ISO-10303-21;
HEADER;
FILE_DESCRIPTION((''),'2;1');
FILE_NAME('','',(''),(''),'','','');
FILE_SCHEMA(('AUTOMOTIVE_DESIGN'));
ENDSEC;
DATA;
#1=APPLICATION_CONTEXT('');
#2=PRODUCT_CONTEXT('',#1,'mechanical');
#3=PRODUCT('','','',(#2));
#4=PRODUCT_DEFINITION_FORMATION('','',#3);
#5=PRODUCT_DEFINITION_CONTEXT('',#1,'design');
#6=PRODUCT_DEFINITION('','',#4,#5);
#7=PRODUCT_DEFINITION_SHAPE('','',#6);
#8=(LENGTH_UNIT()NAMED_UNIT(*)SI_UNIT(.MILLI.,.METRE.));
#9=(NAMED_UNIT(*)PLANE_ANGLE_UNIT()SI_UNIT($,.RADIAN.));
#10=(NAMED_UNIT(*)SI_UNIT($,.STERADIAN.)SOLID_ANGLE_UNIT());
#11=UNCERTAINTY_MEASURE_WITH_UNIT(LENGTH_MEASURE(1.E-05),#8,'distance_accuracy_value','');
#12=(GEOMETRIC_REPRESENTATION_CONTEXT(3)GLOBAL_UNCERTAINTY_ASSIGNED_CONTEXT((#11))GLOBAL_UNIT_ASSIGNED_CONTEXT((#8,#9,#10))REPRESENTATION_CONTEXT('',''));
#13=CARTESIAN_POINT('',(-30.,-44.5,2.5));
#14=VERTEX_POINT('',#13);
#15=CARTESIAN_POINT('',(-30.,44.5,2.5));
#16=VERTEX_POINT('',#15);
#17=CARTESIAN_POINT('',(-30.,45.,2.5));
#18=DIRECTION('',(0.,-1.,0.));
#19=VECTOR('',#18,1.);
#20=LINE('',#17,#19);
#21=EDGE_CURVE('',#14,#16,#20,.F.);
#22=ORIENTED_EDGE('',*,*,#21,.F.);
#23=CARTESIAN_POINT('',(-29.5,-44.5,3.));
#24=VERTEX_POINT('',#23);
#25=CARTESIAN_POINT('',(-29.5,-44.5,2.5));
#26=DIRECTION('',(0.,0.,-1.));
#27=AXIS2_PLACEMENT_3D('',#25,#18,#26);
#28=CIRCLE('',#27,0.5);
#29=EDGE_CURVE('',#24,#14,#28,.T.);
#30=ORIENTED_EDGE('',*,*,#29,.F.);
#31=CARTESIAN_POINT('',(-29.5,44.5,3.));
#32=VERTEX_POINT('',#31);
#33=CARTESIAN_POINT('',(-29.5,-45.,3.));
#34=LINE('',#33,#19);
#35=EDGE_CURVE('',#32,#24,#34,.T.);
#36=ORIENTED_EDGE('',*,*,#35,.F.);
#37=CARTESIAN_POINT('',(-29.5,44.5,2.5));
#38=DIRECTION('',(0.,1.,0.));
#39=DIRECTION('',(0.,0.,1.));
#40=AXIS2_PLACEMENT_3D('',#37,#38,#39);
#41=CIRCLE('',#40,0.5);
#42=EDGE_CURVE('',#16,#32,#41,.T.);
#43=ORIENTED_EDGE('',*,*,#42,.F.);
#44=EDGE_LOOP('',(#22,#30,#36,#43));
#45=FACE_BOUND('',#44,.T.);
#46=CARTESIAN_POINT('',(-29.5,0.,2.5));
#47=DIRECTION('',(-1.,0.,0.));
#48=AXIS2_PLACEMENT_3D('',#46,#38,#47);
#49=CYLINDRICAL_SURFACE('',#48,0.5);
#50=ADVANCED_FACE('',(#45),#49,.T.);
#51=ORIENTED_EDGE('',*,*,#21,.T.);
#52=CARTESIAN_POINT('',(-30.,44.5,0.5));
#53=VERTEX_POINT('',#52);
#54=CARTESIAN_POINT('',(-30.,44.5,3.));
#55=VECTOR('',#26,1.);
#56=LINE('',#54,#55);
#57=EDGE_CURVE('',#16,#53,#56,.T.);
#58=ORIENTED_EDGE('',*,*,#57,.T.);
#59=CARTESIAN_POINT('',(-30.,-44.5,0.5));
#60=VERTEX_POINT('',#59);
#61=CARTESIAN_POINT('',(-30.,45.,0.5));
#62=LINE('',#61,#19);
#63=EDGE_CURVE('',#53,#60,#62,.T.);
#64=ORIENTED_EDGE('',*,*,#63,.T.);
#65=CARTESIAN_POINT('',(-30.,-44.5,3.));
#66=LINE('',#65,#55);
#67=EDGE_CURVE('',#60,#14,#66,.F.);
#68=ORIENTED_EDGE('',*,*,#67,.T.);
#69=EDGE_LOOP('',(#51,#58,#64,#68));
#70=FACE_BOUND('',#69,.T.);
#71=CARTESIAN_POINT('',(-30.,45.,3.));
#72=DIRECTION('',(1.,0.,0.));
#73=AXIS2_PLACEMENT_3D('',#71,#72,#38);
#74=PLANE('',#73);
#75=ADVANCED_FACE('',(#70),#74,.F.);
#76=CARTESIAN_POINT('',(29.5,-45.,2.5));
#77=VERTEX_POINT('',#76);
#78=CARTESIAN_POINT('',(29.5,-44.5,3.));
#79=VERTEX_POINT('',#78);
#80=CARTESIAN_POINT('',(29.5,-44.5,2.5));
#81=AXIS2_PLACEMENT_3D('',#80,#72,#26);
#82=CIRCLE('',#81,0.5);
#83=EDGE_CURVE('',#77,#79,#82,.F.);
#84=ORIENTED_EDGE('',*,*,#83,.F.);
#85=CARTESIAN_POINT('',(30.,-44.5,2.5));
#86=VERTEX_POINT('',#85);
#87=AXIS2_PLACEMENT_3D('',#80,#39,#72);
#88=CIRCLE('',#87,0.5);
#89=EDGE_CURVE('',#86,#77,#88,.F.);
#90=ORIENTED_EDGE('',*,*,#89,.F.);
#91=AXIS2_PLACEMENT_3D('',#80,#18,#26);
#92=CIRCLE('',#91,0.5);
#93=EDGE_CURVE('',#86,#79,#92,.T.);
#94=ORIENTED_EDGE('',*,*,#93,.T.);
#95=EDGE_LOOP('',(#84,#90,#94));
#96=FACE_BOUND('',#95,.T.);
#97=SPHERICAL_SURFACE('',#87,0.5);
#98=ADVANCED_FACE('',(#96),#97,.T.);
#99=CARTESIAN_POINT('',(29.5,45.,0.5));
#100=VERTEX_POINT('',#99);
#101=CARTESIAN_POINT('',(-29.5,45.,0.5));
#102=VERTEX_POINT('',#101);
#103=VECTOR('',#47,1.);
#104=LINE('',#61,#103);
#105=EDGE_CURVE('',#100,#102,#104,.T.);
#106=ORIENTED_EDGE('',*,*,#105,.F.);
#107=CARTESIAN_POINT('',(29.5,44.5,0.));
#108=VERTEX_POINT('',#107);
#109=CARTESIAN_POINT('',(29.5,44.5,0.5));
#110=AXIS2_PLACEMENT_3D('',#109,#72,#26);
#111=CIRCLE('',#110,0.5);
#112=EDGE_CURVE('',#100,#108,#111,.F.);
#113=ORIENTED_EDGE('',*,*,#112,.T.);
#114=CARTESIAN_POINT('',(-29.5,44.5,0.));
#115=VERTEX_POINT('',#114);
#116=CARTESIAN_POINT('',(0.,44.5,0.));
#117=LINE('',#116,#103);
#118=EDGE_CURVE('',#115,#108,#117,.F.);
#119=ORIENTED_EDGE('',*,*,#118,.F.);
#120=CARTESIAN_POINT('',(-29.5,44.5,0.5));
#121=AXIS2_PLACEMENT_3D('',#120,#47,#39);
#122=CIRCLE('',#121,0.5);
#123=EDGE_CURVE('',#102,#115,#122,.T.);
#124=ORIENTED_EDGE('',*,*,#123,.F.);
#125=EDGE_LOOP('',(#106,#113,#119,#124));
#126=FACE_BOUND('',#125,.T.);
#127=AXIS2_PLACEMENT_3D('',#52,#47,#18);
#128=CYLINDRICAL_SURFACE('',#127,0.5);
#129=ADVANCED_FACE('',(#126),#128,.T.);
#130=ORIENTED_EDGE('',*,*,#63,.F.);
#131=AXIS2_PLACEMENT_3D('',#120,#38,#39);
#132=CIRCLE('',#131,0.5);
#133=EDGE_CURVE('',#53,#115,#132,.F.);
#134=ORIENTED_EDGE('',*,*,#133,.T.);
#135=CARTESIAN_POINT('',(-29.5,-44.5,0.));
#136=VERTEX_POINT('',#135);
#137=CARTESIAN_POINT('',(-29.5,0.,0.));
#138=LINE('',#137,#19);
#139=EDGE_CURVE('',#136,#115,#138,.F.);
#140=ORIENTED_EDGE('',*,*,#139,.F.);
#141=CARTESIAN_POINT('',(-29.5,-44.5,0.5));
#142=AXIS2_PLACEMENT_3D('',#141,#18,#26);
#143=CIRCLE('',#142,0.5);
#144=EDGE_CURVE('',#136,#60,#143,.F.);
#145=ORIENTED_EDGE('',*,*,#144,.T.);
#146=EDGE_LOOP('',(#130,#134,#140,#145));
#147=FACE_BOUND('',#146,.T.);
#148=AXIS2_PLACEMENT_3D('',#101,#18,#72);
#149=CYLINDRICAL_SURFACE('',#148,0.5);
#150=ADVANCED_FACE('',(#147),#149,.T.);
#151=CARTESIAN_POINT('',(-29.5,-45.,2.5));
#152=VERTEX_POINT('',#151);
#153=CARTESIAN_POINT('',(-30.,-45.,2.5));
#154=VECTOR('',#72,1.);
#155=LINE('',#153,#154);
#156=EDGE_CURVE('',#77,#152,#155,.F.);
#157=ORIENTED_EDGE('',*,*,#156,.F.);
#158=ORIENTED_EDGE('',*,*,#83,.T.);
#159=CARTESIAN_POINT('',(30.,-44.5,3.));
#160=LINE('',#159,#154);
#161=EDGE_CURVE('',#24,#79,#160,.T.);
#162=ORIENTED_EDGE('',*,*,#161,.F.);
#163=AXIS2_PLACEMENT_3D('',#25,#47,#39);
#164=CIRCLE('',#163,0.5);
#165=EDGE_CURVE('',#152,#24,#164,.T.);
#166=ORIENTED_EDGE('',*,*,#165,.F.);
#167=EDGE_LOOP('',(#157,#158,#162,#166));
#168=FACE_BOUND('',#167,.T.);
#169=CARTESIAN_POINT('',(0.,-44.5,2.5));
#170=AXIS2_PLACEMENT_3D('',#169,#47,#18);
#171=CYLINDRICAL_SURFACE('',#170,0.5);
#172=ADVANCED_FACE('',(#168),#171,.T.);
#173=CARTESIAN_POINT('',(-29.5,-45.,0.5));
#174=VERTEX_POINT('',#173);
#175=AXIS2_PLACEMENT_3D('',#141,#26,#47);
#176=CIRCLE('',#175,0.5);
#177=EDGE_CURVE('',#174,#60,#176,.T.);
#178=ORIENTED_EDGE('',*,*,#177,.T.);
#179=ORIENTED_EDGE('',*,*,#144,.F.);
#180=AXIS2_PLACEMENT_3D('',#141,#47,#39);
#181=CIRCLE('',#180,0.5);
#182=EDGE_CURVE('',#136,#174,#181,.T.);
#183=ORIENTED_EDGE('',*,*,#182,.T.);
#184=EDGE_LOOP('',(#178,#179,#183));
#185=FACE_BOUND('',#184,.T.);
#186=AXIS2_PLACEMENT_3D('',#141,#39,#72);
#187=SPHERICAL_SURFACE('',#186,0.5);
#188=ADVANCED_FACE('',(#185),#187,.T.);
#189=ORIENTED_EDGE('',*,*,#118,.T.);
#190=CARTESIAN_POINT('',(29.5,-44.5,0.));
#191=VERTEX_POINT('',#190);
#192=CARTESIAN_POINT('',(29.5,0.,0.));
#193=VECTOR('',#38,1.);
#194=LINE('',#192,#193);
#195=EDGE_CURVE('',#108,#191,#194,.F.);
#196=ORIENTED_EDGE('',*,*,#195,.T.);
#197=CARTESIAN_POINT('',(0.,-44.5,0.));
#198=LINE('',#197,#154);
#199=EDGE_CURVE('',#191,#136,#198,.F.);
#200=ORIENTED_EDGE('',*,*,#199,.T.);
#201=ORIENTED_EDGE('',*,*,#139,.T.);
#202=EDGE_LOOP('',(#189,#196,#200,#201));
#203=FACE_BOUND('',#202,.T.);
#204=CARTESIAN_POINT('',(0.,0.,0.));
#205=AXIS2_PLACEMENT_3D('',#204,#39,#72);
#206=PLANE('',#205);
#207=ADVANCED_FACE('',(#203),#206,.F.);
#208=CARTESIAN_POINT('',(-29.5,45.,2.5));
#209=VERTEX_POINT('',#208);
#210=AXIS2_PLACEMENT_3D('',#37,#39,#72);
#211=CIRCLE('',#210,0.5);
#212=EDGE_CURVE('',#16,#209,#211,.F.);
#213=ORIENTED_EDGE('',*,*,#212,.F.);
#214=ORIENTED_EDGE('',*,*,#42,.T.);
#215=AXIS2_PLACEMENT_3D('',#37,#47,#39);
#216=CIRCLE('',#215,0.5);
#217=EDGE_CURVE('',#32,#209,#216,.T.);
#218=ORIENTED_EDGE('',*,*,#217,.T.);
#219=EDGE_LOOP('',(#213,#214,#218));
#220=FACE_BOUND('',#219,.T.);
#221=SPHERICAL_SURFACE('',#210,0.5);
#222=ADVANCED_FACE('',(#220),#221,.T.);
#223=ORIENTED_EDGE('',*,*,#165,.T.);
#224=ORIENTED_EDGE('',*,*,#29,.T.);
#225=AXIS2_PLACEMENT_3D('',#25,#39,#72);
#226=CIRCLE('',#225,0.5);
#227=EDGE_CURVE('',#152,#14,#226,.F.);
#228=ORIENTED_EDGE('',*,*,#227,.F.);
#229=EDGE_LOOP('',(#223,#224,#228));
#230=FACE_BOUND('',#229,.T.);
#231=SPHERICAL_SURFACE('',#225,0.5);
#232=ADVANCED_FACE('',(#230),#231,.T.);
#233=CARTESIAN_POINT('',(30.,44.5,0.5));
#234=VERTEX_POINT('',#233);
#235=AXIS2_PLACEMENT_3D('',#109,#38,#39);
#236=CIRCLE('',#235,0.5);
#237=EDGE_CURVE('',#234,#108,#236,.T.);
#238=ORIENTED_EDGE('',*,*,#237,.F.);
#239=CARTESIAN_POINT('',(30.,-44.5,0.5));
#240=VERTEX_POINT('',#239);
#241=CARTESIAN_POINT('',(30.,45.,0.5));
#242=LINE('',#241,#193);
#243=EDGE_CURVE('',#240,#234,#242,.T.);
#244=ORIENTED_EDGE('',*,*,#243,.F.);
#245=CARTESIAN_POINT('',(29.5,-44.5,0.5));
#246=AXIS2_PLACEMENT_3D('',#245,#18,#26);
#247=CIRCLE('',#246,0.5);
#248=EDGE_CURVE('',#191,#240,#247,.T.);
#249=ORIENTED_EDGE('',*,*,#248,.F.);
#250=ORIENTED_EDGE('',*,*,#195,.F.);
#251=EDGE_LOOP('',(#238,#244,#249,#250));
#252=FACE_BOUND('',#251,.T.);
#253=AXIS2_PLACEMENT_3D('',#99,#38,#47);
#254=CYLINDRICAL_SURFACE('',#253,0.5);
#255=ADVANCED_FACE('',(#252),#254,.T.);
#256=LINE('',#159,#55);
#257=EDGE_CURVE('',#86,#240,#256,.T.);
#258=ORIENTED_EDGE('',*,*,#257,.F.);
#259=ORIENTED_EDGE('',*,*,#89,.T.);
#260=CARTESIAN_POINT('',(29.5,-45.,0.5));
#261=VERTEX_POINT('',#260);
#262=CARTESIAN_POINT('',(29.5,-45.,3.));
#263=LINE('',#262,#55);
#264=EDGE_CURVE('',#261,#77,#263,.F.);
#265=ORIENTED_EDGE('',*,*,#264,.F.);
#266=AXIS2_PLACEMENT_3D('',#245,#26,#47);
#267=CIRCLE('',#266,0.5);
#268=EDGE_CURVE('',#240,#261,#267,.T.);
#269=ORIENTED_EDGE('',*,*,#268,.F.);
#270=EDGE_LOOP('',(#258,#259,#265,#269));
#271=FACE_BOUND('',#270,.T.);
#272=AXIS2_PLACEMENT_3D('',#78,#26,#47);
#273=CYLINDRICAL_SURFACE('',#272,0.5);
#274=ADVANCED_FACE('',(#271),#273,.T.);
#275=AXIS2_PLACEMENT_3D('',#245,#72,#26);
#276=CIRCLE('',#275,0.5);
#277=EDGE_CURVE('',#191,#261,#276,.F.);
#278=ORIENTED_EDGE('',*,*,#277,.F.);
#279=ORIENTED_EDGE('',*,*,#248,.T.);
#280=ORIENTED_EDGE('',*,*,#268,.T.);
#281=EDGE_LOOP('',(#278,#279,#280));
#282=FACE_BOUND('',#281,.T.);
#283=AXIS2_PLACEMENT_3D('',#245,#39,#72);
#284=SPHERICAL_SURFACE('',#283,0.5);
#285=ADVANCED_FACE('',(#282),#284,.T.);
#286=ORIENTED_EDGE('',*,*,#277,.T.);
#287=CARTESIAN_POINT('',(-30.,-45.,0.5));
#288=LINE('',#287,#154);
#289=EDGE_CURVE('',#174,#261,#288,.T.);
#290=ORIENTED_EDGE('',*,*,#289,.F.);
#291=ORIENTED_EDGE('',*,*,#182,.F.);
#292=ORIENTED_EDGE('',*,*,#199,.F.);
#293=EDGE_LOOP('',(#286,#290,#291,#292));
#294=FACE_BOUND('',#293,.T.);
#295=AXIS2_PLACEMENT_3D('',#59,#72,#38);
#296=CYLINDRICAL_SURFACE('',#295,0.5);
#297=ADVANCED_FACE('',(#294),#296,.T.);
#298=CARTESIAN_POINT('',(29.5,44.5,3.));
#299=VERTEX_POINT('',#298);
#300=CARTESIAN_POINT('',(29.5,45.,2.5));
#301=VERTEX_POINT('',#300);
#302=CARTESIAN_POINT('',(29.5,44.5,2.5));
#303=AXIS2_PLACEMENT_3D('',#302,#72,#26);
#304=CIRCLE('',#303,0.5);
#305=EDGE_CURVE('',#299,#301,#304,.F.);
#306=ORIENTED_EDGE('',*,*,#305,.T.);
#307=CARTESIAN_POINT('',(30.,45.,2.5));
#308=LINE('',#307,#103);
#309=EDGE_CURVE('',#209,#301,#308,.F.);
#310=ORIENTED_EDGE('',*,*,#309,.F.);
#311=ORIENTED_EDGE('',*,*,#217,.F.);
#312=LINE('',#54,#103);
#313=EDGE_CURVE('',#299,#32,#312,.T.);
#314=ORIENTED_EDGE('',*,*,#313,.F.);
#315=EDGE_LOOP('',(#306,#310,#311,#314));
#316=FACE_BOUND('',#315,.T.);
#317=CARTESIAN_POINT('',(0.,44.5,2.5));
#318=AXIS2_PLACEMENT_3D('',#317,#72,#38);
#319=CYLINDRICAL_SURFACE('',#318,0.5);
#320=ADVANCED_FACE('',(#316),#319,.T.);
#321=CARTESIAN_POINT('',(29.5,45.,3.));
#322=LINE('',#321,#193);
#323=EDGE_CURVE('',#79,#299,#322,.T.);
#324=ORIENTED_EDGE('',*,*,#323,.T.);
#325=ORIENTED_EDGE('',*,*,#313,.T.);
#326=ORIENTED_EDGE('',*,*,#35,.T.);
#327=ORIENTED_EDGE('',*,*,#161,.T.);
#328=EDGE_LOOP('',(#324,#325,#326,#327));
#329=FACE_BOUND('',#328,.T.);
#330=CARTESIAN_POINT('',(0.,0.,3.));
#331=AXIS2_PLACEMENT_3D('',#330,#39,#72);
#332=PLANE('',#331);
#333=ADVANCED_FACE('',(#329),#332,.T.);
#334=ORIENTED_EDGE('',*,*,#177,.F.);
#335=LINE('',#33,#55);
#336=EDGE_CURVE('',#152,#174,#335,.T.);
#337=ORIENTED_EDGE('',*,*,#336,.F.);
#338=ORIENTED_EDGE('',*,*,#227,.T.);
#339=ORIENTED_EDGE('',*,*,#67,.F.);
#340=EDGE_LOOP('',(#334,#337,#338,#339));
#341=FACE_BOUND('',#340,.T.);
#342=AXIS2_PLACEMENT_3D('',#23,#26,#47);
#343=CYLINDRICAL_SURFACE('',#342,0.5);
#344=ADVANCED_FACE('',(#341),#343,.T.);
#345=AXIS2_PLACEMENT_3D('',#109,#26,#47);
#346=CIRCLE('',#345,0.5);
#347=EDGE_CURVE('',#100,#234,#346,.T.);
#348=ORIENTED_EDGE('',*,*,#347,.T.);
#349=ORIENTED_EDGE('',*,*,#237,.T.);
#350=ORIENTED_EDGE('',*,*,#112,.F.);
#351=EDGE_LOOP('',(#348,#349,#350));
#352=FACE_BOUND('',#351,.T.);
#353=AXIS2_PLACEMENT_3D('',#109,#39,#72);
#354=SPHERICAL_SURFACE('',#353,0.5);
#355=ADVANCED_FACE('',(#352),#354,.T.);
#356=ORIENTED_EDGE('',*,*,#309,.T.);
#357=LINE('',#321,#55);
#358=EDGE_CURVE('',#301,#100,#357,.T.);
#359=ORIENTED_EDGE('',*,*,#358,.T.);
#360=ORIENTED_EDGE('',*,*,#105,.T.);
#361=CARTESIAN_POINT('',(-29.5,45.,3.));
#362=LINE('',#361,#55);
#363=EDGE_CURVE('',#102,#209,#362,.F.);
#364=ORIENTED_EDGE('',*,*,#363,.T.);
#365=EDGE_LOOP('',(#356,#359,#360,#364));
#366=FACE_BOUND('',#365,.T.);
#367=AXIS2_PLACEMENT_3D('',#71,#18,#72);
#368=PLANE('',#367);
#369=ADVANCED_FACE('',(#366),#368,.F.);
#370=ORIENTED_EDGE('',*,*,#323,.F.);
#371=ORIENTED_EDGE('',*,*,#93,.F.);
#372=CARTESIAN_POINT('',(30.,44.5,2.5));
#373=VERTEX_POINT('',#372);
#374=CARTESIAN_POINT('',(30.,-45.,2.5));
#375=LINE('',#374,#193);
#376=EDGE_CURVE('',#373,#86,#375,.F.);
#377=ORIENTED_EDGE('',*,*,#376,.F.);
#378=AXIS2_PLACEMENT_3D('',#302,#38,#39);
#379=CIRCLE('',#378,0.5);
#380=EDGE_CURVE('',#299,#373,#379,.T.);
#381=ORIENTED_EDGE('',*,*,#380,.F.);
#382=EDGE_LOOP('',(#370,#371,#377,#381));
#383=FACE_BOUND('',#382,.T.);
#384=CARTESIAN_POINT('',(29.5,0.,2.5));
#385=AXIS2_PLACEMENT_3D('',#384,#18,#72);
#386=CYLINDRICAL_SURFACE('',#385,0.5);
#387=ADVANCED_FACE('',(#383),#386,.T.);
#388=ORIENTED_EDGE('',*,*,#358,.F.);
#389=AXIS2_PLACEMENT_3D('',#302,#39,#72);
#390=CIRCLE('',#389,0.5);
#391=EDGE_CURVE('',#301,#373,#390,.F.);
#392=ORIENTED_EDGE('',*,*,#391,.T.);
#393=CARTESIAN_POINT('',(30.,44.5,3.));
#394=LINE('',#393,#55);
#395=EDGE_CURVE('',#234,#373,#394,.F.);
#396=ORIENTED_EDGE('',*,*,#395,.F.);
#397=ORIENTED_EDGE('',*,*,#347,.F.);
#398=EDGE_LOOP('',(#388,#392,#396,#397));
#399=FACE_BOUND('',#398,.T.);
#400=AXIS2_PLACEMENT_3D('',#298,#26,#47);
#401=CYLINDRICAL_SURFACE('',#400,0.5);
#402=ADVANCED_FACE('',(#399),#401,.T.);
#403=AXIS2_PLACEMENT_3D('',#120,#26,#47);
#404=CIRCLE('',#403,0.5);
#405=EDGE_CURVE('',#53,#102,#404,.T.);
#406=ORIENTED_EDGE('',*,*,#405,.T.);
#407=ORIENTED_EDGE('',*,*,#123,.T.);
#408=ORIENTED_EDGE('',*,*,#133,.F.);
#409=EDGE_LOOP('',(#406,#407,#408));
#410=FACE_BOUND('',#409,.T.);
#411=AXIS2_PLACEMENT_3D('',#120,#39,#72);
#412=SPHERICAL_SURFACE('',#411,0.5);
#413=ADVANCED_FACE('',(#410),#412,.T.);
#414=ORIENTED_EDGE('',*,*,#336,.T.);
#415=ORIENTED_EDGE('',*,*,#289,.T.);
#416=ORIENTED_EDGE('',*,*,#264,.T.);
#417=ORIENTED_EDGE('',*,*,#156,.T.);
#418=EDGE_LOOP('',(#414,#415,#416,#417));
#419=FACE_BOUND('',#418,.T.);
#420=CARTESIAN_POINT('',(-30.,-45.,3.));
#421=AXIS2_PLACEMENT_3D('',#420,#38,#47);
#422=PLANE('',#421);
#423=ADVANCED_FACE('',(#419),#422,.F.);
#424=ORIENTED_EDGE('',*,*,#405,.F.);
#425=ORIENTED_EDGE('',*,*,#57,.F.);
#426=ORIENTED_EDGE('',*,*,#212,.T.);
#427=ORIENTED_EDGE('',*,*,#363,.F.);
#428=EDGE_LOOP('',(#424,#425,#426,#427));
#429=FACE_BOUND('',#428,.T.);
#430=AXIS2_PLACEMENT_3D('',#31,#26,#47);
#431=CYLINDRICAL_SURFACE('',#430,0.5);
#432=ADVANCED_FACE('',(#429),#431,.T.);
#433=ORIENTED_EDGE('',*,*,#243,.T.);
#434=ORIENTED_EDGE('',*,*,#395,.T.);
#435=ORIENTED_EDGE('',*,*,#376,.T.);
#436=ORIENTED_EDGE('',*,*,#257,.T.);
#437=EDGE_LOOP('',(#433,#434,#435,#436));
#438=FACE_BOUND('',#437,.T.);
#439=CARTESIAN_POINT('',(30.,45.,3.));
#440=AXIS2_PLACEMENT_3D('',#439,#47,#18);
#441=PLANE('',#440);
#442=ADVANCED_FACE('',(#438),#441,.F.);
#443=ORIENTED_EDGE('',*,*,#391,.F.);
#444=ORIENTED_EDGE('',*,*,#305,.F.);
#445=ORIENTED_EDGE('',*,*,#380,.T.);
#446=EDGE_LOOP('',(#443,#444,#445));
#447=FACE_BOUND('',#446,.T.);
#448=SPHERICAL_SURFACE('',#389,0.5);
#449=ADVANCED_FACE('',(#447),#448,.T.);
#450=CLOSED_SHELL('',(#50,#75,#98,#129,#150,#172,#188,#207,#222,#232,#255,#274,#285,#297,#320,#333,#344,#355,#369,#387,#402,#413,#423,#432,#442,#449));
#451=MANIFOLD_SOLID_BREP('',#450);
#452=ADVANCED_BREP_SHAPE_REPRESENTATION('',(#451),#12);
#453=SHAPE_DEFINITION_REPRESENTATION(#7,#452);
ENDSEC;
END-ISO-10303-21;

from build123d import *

# Parameters (mm, degrees)
SKETCH_1_W      = 60
SKETCH_1_H      = 90
EXTRUDE_1_DEPTH = 3
FILLET_1_R      = 0.5


with BuildPart() as part:
    # 草图1 → 凸台-拉伸1 (new body)
    with BuildSketch(Plane.XY):
        Rectangle(SKETCH_1_W, SKETCH_1_H)
    extrude(amount=EXTRUDE_1_DEPTH)

    # 圆角1
    fillet_1_edges = [part.edges().sort_by_distance(p)[0] for p in [
        (30, 0, 3),
        (0, 45, 3),
        (-30, 0, 3),
        (0, 45, 0),
        (30, 0, 0),
        (0, -45, 0),
        (-30, 0, 0),
        (0, -45, 3),
        (-30, 45, 1.5),
        (30, 45, 1.5),
        (30, -45, 1.5),
        (-30, -45, 1.5),
    ]]
    fillet(fillet_1_edges, radius=FILLET_1_R)


solid = part.part
